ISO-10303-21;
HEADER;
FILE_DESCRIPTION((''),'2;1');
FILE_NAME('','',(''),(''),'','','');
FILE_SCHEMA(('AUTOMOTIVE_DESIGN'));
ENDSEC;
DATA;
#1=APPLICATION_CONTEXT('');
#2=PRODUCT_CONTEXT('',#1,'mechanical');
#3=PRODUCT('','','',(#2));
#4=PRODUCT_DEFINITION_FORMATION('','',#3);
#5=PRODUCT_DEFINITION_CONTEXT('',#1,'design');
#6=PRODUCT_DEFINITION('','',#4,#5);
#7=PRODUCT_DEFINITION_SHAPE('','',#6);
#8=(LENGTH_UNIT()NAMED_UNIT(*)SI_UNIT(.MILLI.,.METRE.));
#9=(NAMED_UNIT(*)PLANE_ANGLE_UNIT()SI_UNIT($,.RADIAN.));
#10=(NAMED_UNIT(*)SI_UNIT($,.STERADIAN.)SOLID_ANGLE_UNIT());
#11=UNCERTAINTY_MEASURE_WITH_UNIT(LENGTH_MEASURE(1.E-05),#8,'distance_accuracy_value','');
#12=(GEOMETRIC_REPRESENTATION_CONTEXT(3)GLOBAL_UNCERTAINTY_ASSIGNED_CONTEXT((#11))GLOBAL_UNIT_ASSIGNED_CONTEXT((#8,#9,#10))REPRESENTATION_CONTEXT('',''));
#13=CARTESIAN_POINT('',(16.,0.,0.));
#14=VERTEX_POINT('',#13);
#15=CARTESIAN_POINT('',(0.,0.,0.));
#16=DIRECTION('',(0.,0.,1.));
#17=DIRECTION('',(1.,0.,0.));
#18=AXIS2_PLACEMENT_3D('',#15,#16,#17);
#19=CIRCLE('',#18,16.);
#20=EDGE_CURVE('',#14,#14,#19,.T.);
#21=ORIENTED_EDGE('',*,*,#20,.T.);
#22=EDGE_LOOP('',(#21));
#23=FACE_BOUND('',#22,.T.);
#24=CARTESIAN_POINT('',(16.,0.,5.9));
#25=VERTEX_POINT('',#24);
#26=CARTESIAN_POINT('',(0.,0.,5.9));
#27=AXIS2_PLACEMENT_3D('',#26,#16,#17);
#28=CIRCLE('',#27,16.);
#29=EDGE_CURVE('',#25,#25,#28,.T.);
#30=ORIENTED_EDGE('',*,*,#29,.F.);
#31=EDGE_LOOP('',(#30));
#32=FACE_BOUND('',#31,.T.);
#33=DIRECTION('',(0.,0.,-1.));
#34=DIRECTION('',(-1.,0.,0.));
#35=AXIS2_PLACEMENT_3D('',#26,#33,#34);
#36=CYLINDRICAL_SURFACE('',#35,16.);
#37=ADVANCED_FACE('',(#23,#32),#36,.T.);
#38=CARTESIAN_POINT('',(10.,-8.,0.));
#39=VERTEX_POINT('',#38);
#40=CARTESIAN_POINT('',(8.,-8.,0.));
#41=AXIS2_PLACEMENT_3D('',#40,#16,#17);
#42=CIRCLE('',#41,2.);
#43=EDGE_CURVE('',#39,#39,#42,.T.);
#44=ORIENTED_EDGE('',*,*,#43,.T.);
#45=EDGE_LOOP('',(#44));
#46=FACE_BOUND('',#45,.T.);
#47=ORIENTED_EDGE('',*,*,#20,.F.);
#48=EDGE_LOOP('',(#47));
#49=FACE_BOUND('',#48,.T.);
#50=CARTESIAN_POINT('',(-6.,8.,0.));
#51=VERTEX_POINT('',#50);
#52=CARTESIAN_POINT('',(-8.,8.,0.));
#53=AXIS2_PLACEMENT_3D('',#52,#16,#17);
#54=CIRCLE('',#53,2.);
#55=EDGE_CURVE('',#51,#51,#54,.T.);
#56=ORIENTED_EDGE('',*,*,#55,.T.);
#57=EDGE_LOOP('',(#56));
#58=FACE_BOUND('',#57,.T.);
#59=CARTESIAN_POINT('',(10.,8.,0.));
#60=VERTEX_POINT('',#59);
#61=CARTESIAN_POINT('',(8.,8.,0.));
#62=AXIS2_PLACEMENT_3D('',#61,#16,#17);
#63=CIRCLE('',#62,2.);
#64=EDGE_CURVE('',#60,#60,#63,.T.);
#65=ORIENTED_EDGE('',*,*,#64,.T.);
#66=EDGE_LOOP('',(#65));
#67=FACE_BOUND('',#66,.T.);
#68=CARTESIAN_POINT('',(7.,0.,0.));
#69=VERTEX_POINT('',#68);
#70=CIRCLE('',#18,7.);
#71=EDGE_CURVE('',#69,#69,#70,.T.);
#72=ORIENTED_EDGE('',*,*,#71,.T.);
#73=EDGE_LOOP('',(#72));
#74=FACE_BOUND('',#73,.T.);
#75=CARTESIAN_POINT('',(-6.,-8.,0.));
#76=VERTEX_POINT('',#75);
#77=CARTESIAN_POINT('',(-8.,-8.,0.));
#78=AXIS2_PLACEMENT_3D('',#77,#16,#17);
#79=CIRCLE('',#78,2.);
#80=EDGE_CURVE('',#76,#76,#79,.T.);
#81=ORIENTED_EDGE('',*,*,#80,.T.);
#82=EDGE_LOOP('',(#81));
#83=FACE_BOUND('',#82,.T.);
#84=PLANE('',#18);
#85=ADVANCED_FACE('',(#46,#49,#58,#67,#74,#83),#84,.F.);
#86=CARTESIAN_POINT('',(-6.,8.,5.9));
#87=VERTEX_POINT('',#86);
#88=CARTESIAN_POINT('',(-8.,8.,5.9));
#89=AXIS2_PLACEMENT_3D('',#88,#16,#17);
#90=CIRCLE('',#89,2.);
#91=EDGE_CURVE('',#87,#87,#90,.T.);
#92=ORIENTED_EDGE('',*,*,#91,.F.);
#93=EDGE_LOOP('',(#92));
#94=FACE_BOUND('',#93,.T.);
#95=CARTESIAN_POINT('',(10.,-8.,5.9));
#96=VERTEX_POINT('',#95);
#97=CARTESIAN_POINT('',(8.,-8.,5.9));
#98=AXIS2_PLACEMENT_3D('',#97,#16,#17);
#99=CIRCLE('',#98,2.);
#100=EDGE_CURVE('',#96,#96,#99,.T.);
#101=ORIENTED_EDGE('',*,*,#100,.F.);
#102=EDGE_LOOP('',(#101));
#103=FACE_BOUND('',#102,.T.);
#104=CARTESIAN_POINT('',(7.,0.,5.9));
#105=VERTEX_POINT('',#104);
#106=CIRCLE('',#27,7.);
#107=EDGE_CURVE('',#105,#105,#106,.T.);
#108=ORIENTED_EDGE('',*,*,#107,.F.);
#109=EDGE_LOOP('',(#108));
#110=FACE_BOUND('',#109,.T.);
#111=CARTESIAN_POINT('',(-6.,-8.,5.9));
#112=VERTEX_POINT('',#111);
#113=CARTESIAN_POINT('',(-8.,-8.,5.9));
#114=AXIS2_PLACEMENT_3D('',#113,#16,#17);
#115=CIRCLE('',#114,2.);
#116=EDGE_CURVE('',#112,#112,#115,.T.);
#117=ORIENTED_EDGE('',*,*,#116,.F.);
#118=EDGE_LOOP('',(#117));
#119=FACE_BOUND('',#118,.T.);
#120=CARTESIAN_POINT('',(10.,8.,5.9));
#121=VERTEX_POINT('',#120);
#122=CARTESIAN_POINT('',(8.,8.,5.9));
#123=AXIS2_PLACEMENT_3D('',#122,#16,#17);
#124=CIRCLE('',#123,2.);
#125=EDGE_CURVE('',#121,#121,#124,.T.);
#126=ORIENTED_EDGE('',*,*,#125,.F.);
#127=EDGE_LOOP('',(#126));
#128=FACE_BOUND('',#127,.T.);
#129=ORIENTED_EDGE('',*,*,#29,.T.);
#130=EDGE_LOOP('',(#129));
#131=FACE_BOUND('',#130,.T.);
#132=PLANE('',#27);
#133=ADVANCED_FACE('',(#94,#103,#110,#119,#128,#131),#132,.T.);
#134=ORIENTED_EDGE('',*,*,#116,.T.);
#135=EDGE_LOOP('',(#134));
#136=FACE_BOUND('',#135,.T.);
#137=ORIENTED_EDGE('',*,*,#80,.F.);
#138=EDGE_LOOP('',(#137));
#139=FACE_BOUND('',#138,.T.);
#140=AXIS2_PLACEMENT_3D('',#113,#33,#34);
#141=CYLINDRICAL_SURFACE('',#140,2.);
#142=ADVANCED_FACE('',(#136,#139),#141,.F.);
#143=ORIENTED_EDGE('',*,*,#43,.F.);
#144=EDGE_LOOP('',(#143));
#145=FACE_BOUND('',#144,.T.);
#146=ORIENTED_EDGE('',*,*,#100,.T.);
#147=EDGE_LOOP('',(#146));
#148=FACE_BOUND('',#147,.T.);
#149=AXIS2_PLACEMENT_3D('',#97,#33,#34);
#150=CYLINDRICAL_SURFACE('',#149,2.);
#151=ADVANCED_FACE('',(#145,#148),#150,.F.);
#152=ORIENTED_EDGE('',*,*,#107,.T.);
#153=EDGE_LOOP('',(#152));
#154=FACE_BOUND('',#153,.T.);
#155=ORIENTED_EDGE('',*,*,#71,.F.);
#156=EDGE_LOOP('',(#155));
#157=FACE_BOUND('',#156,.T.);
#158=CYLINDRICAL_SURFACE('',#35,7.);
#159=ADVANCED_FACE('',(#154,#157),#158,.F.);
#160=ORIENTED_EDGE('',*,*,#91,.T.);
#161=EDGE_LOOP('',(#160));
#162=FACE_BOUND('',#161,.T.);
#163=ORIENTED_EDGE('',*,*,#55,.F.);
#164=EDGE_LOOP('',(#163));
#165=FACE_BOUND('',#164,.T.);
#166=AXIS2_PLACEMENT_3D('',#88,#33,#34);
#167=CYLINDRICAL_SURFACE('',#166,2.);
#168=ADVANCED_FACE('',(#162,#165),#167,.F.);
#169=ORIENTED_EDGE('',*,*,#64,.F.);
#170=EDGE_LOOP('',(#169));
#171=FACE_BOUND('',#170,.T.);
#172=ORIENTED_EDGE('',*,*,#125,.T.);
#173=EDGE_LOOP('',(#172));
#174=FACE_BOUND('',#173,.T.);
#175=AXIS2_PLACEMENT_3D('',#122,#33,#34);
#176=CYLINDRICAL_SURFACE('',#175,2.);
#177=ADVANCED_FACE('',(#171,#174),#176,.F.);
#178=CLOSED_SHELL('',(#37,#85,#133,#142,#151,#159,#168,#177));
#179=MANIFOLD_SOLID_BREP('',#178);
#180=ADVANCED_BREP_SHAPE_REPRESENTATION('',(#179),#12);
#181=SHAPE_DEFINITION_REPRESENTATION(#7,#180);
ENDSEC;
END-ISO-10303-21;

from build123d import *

# Parameters (mm, degrees)
SKETCH1_R           = 16
SKETCH1_R_2         = 7
SKETCH1_R_3         = 2
BOSS_EXTRUDE1_DEPTH = 5.9


with BuildPart() as part:
    # Sketch1 → Boss-Extrude1 (new body)
    with BuildSketch(Plane.XY):
        Circle(SKETCH1_R)
        Circle(SKETCH1_R_2, mode=Mode.SUBTRACT)
        with Locations((-8, 8)):
            Circle(SKETCH1_R_3, mode=Mode.SUBTRACT)
        with Locations((8, 8)):
            Circle(SKETCH1_R_3, mode=Mode.SUBTRACT)
        with Locations((8, -8)):
            Circle(SKETCH1_R_3, mode=Mode.SUBTRACT)
        with Locations((-8, -8)):
            Circle(SKETCH1_R_3, mode=Mode.SUBTRACT)
    extrude(amount=BOSS_EXTRUDE1_DEPTH)


solid = part.part
